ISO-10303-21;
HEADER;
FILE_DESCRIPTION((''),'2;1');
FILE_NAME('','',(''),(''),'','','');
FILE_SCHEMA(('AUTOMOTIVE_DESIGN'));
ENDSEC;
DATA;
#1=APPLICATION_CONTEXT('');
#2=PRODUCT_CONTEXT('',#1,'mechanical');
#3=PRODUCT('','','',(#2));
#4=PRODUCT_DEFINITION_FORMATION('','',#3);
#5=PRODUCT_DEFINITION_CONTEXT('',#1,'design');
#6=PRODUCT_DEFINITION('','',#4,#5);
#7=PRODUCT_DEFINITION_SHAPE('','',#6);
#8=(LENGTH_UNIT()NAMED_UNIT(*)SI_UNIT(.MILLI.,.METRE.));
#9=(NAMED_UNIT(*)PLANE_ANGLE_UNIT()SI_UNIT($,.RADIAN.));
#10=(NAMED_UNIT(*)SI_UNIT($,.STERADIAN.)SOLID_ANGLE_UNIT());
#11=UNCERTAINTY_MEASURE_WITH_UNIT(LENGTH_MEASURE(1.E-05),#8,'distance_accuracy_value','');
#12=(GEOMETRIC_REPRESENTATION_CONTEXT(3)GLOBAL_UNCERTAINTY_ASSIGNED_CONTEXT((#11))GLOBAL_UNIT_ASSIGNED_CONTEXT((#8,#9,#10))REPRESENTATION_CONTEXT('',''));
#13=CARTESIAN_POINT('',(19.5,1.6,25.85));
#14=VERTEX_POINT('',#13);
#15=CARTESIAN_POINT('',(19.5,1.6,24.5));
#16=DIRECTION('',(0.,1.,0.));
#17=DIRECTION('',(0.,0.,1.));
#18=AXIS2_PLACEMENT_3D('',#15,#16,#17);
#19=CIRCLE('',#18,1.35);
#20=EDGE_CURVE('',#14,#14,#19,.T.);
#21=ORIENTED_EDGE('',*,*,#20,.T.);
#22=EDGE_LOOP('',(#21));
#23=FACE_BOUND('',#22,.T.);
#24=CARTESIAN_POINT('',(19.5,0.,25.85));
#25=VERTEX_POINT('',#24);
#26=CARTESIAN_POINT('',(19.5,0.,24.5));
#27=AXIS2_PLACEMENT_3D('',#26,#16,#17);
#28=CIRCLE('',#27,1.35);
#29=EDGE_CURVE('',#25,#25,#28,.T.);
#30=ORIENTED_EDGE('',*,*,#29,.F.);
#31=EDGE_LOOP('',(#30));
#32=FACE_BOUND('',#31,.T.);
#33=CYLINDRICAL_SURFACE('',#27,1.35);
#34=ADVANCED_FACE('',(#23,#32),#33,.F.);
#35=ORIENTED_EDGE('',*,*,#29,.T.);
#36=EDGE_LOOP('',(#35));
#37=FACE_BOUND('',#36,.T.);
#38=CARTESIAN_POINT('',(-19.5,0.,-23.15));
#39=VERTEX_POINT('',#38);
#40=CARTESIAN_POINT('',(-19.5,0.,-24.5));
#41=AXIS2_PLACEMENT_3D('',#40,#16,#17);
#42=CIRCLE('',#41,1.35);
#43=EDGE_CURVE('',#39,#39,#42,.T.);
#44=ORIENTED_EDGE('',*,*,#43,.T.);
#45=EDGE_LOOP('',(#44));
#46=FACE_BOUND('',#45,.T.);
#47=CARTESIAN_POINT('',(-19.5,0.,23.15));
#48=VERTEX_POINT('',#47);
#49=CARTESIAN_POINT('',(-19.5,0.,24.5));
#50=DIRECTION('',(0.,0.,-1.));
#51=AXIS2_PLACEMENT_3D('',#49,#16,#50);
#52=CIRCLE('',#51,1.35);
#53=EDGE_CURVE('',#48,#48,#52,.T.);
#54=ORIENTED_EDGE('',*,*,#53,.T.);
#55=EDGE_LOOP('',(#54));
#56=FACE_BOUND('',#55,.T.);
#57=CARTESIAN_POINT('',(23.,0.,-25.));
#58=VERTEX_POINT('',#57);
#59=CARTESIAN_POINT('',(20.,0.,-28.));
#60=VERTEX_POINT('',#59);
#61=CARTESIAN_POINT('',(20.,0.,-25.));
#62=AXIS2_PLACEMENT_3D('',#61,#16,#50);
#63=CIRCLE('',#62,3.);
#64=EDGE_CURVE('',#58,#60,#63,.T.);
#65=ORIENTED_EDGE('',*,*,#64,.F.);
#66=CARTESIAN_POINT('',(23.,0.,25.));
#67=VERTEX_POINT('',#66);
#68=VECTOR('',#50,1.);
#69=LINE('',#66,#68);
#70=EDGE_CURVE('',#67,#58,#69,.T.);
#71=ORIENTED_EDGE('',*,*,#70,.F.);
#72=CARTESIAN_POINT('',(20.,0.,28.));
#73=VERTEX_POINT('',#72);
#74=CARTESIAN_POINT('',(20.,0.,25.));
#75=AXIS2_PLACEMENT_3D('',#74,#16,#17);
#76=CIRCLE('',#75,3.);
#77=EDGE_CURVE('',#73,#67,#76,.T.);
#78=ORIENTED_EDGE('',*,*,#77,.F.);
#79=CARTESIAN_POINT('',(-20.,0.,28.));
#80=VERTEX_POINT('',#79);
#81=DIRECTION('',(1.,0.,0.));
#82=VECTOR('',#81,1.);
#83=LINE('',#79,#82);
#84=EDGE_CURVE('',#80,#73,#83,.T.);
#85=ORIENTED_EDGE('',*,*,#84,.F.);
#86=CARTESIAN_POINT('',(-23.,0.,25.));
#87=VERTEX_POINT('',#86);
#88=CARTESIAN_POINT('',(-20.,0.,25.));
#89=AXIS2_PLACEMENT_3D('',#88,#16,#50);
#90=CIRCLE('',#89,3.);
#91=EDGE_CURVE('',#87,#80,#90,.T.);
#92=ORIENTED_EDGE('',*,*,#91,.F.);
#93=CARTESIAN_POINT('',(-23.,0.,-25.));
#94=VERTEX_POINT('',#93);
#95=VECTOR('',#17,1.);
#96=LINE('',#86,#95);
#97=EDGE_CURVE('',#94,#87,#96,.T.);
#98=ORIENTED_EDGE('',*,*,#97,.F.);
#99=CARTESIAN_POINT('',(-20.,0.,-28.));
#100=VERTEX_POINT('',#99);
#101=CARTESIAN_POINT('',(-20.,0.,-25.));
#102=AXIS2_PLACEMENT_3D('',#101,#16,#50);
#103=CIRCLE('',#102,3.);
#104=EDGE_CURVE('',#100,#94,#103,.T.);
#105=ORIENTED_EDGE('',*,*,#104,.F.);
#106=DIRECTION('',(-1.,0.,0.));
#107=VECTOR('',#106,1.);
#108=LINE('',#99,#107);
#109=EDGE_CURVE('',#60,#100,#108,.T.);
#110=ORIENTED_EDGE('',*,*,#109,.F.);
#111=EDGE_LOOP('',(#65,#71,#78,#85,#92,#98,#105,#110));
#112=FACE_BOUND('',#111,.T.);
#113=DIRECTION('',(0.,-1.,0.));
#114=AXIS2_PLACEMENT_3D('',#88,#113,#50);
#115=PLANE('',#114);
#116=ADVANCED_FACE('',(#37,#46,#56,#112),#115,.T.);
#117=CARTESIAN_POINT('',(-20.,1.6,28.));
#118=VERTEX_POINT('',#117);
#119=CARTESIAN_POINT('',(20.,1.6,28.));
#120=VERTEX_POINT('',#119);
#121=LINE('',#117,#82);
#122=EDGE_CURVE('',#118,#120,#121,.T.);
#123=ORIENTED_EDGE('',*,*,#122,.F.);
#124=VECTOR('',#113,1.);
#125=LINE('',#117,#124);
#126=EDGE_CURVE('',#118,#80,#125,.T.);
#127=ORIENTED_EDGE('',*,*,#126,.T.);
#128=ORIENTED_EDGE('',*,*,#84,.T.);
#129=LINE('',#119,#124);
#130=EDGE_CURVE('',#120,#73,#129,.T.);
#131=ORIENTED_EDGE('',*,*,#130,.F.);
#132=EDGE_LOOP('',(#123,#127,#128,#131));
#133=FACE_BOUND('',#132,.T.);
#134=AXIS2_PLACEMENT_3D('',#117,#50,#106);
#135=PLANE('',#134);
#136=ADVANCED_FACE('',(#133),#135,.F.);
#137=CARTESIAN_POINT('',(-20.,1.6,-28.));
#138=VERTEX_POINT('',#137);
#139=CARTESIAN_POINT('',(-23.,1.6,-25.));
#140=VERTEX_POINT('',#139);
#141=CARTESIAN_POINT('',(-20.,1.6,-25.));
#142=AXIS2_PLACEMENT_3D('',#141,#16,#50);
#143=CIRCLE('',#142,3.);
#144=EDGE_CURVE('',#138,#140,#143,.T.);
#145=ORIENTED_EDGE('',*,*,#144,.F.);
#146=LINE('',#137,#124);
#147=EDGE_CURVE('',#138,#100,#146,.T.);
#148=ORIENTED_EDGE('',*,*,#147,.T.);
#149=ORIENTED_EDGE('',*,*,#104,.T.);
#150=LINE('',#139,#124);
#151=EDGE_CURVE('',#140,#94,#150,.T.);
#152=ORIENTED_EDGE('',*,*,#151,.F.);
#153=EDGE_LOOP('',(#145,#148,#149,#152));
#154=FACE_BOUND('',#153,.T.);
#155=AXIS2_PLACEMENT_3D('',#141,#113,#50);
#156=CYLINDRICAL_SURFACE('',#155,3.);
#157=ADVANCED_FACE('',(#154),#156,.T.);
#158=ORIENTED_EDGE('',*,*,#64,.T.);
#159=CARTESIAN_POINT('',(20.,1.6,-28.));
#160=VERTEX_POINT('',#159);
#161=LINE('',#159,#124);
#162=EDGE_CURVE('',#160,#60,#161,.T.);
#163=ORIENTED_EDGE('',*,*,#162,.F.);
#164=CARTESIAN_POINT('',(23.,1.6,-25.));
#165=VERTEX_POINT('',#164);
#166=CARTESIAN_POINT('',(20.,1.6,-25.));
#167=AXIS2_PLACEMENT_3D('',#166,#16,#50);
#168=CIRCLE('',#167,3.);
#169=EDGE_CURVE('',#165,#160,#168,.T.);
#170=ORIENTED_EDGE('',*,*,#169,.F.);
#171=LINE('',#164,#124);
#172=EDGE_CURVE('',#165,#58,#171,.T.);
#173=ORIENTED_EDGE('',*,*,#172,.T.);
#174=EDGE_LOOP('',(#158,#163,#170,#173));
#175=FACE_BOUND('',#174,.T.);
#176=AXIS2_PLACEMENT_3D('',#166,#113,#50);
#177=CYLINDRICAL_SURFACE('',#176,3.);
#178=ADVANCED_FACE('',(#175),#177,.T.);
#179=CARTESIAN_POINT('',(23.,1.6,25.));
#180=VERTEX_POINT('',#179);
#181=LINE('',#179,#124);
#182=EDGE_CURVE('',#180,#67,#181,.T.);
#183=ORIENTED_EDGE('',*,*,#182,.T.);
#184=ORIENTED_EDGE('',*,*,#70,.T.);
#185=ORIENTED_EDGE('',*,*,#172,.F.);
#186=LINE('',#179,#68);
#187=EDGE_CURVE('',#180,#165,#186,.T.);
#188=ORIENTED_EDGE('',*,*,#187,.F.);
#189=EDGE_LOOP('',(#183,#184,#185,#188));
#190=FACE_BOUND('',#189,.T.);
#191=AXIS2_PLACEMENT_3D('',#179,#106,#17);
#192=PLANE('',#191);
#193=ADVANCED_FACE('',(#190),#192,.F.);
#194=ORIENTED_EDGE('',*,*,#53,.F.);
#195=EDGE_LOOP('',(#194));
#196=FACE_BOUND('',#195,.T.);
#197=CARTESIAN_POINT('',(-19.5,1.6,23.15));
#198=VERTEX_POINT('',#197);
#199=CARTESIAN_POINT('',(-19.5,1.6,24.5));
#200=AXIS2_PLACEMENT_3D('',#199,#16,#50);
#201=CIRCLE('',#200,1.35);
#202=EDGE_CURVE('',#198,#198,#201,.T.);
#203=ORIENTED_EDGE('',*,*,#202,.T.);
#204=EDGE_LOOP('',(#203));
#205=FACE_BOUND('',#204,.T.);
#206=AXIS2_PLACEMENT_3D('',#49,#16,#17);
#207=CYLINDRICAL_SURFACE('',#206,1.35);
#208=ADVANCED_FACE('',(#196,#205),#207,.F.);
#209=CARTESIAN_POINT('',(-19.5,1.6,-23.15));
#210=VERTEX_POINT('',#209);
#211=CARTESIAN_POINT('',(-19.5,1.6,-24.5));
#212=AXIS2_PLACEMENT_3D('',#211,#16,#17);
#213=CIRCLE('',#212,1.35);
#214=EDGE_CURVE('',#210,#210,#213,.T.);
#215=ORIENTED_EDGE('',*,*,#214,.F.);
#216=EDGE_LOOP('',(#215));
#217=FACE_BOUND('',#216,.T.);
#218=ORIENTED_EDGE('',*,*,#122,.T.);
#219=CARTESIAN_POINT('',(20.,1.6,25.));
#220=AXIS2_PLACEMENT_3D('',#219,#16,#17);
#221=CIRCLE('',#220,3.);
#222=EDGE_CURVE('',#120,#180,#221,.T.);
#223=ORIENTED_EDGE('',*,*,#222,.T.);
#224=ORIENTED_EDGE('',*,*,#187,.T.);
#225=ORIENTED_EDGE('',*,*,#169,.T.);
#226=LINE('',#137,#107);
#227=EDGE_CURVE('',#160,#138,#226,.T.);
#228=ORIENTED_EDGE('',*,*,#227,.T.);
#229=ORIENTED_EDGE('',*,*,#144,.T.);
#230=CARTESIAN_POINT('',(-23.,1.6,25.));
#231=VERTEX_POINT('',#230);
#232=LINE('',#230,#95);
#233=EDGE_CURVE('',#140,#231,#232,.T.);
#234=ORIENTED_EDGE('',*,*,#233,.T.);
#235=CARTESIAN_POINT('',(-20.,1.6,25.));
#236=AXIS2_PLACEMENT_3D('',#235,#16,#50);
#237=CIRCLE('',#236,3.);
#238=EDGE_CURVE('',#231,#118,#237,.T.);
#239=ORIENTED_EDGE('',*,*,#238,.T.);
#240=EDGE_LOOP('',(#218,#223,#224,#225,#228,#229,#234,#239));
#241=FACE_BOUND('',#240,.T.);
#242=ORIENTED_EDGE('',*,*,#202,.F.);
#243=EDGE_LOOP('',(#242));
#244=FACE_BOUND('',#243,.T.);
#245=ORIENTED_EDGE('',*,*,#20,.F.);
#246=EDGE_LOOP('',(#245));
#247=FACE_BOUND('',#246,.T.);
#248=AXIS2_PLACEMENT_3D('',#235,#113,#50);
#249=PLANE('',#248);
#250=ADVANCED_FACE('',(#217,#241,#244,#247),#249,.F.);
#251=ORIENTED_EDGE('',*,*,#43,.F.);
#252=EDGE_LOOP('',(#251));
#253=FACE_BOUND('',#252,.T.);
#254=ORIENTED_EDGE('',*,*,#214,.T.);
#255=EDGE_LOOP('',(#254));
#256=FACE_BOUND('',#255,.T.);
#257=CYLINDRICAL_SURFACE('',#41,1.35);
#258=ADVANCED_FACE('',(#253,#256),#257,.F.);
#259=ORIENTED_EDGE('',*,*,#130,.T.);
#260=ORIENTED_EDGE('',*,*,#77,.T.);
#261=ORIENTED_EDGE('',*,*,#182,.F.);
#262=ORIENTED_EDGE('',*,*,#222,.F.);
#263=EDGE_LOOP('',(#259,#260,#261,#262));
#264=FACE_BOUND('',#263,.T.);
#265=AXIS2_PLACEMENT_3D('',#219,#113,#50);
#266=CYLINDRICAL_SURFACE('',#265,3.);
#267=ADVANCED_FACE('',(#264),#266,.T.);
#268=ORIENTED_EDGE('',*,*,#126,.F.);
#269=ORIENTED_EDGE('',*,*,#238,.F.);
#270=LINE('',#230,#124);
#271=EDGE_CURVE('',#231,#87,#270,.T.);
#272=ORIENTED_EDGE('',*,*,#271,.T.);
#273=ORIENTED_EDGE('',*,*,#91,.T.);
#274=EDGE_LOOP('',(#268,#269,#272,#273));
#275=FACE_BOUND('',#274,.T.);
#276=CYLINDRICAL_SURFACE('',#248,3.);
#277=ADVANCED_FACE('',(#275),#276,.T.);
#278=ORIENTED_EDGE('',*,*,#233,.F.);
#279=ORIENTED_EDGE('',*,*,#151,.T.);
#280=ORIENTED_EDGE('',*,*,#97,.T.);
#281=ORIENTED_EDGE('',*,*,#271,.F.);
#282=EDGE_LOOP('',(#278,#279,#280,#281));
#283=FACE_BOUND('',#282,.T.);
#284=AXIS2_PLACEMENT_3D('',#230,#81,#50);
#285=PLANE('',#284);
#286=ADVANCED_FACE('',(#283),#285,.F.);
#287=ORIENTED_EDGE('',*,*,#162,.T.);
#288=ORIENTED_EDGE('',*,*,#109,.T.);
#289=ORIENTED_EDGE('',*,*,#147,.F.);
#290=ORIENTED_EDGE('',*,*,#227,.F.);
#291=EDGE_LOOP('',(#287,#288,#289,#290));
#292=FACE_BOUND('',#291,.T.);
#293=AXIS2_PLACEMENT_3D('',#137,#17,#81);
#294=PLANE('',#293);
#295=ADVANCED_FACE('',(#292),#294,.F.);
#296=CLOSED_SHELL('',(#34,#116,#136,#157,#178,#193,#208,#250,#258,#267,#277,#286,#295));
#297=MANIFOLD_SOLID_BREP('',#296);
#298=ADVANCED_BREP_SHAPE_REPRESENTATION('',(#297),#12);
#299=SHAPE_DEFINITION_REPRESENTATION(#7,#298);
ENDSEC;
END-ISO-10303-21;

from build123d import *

# Parameters (mm, degrees)
Y_KSEKLIK_EKSTR_ZYON1_DEPTH = 1.6
IZIM2_R                     = 1.35
KES_EKSTR_ZYON1_DEPTH       = 1.6


with BuildPart() as part:
    # Çizim1 → Yükseklik-Ekstrüzyon1 (new body)
    with BuildSketch(Plane(origin=(0, 0, 0), x_dir=(1, 0, 0), z_dir=(0, 1, 0))):
        with BuildLine():
            Line((-20, -28), (20, -28))
            ThreePointArc((20, -28), (22.121320344, -27.121320344), (23, -25))
            Line((23, -25), (23, 25))
            ThreePointArc((23, 25), (22.121320344, 27.121320344), (20, 28))
            Line((20, 28), (-20, 28))
            ThreePointArc((-20, 28), (-22.121320344, 27.121320344), (-23, 25))
            Line((-23, 25), (-23, -25))
            ThreePointArc((-23, -25), (-22.121320344, -27.121320344), (-20, -28))
        make_face()
    extrude(amount=Y_KSEKLIK_EKSTR_ZYON1_DEPTH)

    # Çizim2 → Kes-Ekstrüzyon1 (cut)
    with BuildSketch(Plane(origin=(0, 1.6, 0), x_dir=(1, 0, 0), z_dir=(0, 1, 0))):
        with Locations(Location((-19.5, 24.5, 0), (0, 0, 270))):
            Circle(IZIM2_R)
        with Locations(Location((19.5, -24.5, 0), (0, 0, 270))):
            Circle(IZIM2_R)
        with Locations(Location((-19.5, -24.5, 0), (0, 0, 90))):
            Circle(IZIM2_R)
    extrude(amount=-KES_EKSTR_ZYON1_DEPTH, mode=Mode.SUBTRACT)


solid = part.part
